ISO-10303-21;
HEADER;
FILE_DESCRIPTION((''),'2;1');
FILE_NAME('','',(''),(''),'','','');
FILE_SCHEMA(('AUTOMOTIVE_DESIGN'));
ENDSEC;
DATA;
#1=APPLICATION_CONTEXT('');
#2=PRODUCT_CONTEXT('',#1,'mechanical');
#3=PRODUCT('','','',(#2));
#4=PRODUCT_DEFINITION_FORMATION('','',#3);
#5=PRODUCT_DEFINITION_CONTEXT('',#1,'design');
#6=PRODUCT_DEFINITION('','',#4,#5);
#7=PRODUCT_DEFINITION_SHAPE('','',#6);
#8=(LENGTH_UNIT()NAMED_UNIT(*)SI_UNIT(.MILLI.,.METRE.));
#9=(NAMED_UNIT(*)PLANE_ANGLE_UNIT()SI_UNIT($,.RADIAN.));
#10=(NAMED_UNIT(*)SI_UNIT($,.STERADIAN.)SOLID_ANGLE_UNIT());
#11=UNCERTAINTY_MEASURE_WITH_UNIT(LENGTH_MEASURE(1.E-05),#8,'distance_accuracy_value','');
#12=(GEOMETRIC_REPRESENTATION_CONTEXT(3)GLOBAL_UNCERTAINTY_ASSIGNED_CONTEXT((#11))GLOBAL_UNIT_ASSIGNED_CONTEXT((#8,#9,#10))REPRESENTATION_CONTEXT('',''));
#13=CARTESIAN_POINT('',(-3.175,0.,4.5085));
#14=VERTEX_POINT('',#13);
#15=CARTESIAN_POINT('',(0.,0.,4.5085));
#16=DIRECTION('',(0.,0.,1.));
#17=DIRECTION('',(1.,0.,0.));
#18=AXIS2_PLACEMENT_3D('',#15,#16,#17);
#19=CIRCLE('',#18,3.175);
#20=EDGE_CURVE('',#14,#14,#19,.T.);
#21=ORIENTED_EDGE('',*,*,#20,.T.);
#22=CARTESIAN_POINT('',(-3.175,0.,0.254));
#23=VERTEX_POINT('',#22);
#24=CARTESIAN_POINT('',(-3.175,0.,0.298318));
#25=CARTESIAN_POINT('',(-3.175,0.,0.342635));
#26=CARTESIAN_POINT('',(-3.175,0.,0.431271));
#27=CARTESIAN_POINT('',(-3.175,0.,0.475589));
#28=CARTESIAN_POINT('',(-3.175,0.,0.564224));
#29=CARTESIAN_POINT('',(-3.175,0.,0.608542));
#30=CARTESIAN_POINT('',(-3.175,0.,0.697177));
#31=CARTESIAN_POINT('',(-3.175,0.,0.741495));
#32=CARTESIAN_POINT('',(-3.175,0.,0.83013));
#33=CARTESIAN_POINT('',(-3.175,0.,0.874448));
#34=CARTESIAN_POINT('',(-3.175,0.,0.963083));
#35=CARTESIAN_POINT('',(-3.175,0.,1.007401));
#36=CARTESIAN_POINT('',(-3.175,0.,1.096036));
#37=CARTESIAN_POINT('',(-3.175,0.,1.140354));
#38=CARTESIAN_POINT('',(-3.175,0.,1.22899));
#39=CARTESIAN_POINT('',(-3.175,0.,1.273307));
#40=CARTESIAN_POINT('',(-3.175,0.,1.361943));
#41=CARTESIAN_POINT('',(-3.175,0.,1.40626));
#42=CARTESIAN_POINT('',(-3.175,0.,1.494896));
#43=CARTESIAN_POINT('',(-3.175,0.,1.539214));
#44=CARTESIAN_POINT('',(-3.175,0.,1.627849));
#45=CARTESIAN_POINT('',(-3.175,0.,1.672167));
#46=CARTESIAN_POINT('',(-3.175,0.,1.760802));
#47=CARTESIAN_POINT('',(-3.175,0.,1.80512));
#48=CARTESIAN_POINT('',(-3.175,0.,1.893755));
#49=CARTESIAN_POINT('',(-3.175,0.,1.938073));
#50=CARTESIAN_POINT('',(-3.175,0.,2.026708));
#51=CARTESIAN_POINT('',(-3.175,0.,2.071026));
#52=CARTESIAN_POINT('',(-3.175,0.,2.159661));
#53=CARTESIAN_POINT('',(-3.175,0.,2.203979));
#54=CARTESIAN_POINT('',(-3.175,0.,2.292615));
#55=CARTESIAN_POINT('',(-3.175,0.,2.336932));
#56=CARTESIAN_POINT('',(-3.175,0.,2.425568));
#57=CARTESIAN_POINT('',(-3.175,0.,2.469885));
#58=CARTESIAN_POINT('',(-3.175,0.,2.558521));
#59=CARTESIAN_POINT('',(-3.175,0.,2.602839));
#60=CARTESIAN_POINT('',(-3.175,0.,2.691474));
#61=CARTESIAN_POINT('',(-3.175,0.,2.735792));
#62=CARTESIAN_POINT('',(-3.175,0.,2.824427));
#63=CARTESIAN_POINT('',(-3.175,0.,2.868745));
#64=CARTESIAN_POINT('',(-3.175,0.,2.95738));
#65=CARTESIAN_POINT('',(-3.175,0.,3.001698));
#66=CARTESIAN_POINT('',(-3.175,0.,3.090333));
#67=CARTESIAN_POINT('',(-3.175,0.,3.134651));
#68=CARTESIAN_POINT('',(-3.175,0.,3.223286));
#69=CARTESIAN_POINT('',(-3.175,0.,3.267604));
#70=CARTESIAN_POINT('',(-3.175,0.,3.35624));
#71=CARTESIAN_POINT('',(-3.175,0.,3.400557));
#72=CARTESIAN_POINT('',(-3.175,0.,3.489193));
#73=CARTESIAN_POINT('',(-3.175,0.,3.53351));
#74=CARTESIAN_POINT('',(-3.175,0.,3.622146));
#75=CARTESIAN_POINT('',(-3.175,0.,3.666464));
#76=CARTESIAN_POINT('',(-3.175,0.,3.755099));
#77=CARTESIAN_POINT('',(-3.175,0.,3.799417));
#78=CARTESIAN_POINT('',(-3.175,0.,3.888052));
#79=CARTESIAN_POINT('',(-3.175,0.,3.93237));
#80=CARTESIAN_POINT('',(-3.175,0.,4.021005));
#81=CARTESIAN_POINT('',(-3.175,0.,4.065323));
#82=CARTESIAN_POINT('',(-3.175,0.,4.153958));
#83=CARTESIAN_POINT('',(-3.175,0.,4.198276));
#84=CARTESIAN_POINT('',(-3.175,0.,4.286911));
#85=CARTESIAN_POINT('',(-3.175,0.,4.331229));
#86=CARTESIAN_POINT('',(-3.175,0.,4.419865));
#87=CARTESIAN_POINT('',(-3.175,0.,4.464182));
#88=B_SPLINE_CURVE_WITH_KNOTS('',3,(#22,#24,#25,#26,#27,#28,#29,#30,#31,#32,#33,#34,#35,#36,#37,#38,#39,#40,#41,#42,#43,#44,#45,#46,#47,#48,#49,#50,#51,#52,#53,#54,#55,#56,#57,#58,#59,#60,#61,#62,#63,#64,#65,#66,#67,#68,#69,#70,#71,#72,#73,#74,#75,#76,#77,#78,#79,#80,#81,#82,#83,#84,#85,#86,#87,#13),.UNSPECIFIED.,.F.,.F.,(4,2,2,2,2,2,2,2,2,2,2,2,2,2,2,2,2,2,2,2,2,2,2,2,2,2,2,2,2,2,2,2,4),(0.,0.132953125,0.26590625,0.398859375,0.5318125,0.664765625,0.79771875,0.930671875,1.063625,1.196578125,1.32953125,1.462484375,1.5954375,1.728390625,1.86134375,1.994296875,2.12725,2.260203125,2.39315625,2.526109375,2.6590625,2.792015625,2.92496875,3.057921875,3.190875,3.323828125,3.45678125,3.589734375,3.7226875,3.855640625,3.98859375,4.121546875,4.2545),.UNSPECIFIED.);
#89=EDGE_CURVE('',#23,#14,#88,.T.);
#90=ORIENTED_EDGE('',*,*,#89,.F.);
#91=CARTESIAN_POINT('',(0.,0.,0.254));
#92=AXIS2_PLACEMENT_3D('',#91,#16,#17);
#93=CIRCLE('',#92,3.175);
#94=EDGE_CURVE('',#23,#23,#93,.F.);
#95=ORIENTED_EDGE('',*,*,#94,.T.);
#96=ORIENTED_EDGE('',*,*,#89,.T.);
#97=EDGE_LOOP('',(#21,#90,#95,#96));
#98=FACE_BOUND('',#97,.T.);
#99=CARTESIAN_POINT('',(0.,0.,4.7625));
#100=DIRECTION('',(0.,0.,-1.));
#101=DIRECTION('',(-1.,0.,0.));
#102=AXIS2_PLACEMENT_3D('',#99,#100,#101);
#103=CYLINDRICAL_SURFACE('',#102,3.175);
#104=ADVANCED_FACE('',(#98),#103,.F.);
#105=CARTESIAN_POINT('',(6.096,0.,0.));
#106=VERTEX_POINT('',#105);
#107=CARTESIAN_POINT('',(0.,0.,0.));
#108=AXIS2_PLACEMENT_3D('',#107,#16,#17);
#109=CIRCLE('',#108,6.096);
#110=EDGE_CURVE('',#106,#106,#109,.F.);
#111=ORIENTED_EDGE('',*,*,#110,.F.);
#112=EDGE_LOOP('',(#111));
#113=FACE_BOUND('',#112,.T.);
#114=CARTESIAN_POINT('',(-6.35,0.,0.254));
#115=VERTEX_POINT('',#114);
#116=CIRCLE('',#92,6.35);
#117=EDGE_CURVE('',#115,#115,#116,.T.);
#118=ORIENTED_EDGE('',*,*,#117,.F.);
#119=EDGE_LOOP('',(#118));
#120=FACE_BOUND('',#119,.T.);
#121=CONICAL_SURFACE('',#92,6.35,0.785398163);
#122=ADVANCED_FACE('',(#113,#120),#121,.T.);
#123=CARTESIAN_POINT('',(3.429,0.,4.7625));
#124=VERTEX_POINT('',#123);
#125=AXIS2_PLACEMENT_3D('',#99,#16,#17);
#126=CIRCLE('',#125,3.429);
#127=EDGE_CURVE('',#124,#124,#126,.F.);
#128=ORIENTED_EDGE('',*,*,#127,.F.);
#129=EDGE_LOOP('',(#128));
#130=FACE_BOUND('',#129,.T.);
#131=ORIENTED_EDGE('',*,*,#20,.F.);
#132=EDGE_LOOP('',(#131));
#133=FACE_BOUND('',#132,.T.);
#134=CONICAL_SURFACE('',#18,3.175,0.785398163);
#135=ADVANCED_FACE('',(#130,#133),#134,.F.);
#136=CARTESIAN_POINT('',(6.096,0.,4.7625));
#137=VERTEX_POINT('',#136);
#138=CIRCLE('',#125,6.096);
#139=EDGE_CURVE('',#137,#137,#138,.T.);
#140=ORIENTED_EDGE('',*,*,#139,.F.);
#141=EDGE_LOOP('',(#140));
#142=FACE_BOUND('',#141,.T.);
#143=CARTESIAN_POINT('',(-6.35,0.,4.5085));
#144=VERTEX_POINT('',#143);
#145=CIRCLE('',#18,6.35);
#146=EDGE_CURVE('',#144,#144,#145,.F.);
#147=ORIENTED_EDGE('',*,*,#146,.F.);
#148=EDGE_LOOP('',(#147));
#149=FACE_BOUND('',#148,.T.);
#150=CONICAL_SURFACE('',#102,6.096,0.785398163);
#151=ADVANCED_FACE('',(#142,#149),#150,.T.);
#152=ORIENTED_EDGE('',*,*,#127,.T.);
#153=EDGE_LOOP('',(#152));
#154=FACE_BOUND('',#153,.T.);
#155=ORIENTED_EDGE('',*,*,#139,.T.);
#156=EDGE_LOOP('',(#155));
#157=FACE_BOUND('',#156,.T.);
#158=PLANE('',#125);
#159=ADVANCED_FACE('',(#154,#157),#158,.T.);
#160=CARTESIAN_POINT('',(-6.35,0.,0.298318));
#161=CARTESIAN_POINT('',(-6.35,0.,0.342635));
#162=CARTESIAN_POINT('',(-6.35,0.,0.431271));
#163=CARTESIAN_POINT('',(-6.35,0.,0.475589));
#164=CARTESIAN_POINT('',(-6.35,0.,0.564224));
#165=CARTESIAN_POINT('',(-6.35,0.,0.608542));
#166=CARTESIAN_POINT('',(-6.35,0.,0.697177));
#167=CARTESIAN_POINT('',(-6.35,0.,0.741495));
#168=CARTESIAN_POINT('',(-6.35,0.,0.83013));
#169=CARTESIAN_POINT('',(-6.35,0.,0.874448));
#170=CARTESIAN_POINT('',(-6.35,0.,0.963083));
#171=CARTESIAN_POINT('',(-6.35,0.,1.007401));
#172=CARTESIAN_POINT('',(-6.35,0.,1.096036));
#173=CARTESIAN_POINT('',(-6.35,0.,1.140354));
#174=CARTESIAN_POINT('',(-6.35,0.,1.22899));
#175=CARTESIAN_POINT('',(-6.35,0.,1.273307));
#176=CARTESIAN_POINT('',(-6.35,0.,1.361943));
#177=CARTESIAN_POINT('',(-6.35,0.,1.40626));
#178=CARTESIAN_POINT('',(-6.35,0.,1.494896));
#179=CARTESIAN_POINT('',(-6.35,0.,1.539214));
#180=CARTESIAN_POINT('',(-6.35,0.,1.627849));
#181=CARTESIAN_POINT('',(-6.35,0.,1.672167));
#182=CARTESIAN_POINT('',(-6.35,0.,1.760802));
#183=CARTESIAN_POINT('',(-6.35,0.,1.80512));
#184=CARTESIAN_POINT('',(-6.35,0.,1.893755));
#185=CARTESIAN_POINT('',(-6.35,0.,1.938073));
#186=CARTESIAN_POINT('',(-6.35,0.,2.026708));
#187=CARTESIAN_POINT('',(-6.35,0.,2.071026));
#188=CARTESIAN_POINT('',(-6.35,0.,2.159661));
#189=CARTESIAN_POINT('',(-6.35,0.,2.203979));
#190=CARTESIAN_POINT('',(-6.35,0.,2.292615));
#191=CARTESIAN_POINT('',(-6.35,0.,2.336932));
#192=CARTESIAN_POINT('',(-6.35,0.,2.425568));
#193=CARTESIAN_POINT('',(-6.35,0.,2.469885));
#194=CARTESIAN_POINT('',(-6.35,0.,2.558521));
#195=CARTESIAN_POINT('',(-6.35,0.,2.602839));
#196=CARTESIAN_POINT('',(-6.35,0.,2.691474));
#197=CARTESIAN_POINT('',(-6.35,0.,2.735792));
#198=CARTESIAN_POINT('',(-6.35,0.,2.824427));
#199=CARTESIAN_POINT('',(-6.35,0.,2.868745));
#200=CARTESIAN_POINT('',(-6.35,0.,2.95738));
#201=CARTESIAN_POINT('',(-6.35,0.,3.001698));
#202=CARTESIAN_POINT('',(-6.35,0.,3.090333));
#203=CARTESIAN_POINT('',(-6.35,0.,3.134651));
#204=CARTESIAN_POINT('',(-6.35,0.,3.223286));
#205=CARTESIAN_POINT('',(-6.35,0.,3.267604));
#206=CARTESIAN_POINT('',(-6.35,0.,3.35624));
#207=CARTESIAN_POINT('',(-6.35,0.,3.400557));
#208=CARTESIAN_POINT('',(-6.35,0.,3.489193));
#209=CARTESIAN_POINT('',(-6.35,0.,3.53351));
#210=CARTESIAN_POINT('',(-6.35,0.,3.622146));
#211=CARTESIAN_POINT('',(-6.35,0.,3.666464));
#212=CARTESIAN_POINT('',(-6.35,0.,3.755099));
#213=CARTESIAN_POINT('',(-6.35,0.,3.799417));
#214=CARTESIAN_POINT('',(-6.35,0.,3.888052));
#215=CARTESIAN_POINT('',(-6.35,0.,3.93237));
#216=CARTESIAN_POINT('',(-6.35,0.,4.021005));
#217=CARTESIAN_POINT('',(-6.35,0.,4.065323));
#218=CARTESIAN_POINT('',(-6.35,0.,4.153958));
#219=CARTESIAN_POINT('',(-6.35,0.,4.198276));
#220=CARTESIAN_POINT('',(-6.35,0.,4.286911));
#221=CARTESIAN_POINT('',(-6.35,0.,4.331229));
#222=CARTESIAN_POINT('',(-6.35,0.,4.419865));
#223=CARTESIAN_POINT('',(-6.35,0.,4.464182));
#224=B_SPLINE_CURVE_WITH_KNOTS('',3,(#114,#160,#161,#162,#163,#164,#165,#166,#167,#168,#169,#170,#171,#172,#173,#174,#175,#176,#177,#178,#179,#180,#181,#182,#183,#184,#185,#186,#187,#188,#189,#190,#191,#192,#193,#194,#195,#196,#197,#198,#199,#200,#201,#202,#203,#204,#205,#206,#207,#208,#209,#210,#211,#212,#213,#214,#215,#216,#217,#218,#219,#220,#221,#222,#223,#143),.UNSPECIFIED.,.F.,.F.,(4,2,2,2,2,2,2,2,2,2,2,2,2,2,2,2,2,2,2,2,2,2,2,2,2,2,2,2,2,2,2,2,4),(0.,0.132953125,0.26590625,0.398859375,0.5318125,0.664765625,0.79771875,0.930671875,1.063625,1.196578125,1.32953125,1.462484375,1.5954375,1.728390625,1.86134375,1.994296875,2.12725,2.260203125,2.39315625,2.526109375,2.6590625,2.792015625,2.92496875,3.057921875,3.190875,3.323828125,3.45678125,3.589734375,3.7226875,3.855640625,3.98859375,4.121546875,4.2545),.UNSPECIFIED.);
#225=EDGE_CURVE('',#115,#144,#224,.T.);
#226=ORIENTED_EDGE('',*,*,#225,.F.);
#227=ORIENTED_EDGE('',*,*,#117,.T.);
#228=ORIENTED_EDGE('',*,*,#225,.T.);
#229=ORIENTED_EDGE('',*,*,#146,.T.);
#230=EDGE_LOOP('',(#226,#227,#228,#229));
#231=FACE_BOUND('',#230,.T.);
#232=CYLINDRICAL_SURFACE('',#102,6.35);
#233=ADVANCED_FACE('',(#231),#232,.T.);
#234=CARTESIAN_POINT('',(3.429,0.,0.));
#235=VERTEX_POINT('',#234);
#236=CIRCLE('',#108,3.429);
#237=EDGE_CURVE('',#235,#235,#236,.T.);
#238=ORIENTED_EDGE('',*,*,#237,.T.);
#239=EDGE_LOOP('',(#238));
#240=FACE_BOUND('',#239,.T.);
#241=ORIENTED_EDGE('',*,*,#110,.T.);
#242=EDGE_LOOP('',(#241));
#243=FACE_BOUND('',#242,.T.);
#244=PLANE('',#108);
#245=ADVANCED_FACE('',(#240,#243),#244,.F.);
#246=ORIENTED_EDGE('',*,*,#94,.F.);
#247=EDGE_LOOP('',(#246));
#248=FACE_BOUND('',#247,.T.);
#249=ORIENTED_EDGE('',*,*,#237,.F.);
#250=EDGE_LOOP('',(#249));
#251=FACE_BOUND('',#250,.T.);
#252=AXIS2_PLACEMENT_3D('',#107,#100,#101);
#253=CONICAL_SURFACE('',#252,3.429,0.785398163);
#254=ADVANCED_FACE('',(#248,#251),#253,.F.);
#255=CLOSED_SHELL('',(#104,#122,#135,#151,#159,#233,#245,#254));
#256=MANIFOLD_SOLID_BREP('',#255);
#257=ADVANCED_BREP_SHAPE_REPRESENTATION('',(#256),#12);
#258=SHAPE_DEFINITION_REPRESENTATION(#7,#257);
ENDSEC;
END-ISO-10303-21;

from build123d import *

# Parameters (mm, degrees)
SKETCH1_R           = 6.35
SKETCH1_R_2         = 3.175
BOSS_EXTRUDE1_DEPTH = 4.7625
CHAMFER1_SIZE       = 0.254


with BuildPart() as part:
    # Sketch1 → Boss-Extrude1 (new body)
    with BuildSketch(Plane.XY):
        with Locations(Location((0, 0, 0), (0, 0, 180))):
            Circle(SKETCH1_R)
        with Locations(Location((0, 0, 0), (0, 0, 180))):
            Circle(SKETCH1_R_2, mode=Mode.SUBTRACT)
    extrude(amount=BOSS_EXTRUDE1_DEPTH)

    # Chamfer1
    chamfer1_edges = [part.edges().sort_by_distance(p)[0] for p in [
        (6.35, 0, 0),
        (6.35, 0, 4.7625),
        (3.175, 0, 0),
        (3.175, 0, 4.7625),
    ]]
    chamfer(chamfer1_edges, length=CHAMFER1_SIZE)


solid = part.part
